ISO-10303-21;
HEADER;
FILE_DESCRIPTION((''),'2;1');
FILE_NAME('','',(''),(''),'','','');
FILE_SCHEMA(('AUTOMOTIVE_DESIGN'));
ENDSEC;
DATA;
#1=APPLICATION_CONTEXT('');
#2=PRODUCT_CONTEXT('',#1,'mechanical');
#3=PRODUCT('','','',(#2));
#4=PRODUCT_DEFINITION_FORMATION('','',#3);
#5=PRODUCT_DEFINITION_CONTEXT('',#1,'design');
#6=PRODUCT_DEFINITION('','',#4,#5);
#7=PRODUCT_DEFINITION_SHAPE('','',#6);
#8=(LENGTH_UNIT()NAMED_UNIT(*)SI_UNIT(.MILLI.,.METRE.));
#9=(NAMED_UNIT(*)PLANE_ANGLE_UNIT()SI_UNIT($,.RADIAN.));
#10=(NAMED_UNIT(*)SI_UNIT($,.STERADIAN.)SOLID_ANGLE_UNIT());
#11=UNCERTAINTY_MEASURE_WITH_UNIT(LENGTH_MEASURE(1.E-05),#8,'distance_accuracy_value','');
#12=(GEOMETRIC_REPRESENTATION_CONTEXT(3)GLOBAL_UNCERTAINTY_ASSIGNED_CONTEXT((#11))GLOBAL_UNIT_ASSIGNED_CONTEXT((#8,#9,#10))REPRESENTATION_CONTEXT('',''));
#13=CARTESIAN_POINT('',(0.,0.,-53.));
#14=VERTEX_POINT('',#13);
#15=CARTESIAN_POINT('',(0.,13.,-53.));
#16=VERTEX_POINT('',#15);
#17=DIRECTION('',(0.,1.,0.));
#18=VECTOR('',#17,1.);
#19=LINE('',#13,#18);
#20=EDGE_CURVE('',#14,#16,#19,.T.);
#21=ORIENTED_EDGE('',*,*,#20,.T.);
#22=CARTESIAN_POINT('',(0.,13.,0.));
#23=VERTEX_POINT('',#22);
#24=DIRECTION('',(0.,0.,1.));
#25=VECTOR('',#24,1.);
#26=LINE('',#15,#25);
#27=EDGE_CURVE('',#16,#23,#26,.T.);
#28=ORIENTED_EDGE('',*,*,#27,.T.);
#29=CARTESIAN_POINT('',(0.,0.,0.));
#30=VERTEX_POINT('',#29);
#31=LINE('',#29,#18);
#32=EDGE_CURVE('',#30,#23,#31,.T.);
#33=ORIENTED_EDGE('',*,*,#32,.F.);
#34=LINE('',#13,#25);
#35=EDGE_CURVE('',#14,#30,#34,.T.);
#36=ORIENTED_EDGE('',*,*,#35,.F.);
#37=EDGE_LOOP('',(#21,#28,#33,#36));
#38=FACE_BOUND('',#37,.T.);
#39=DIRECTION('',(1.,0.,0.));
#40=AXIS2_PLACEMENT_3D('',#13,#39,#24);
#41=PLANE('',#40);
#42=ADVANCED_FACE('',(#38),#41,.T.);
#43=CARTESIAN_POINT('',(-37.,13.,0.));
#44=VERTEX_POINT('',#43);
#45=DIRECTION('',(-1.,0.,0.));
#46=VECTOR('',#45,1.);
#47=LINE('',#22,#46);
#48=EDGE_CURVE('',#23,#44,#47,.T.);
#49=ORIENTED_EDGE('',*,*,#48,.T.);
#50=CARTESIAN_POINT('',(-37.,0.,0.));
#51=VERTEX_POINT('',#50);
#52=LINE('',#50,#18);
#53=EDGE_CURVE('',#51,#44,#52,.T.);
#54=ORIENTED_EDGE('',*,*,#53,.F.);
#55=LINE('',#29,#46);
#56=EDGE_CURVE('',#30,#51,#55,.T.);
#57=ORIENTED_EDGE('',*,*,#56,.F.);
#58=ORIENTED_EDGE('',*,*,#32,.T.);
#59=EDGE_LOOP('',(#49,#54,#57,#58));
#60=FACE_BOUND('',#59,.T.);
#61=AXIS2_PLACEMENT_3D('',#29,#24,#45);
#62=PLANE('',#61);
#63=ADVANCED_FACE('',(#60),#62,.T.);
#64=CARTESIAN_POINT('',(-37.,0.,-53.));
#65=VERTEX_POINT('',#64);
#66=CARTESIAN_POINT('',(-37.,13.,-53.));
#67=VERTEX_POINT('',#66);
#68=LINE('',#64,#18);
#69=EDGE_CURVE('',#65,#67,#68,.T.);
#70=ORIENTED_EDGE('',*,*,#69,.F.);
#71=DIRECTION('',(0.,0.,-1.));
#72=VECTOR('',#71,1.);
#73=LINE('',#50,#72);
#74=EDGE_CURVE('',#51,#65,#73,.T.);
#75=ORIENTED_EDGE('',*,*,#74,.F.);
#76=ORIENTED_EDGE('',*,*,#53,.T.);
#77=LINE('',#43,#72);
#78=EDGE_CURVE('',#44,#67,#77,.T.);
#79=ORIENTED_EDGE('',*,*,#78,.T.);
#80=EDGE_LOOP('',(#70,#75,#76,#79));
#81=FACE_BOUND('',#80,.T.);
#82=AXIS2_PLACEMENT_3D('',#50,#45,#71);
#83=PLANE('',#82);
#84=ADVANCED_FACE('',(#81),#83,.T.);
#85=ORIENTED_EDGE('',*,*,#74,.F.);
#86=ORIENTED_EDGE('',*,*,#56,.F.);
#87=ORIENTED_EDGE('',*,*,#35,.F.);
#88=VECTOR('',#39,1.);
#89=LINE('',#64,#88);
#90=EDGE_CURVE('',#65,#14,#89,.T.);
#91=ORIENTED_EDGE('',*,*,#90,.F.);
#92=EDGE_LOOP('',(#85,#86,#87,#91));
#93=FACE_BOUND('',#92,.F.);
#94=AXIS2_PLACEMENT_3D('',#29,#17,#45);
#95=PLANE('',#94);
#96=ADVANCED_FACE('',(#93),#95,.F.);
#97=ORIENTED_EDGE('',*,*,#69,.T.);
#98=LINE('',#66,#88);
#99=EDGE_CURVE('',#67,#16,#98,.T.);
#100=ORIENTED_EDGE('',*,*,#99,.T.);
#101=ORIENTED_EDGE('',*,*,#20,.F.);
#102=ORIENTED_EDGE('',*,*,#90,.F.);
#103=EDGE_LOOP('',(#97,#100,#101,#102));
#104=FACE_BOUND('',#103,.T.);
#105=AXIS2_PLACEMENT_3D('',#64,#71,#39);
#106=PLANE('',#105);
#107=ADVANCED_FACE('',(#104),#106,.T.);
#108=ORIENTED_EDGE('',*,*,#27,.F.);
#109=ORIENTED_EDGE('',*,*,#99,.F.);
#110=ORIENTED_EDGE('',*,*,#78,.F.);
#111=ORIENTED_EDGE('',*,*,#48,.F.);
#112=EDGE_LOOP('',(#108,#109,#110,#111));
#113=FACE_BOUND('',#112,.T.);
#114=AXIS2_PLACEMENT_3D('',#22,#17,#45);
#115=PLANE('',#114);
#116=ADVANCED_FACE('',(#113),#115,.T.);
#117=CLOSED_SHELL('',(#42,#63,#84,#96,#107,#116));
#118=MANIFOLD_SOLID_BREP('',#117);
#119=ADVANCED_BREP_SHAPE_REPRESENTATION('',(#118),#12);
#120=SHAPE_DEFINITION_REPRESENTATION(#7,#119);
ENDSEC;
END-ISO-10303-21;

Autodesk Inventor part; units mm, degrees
ref_plane "YZ Plane" through (0, 0, 0) normal (1, 0, 0) x (0, 1, 0)
ref_plane "XZ Plane" through (0, 0, 0) normal (0, 1, 0) x (-1, 0, 0)
ref_plane "XY Plane" through (0, 0, 0) normal (0, 0, 1) x (1, 0, 0)
sketch "Sketch1" plane through (0, 0, 0) normal (0, 1, 0) x (-1, 0, 0)
  line L0 (0, 0) -> (37, 0)
  line L1 (37, 0) -> (37, -53)
  line L2 (37, -53) -> (0, -53)
  line L3 (0, -53) -> (0, 0)
  dimension "d0" = 53
  dimension "d1" = 37
extrude "Extrusion1" add sketch "Sketch1" along normal blind 13
properties part number "Batteryyy"
